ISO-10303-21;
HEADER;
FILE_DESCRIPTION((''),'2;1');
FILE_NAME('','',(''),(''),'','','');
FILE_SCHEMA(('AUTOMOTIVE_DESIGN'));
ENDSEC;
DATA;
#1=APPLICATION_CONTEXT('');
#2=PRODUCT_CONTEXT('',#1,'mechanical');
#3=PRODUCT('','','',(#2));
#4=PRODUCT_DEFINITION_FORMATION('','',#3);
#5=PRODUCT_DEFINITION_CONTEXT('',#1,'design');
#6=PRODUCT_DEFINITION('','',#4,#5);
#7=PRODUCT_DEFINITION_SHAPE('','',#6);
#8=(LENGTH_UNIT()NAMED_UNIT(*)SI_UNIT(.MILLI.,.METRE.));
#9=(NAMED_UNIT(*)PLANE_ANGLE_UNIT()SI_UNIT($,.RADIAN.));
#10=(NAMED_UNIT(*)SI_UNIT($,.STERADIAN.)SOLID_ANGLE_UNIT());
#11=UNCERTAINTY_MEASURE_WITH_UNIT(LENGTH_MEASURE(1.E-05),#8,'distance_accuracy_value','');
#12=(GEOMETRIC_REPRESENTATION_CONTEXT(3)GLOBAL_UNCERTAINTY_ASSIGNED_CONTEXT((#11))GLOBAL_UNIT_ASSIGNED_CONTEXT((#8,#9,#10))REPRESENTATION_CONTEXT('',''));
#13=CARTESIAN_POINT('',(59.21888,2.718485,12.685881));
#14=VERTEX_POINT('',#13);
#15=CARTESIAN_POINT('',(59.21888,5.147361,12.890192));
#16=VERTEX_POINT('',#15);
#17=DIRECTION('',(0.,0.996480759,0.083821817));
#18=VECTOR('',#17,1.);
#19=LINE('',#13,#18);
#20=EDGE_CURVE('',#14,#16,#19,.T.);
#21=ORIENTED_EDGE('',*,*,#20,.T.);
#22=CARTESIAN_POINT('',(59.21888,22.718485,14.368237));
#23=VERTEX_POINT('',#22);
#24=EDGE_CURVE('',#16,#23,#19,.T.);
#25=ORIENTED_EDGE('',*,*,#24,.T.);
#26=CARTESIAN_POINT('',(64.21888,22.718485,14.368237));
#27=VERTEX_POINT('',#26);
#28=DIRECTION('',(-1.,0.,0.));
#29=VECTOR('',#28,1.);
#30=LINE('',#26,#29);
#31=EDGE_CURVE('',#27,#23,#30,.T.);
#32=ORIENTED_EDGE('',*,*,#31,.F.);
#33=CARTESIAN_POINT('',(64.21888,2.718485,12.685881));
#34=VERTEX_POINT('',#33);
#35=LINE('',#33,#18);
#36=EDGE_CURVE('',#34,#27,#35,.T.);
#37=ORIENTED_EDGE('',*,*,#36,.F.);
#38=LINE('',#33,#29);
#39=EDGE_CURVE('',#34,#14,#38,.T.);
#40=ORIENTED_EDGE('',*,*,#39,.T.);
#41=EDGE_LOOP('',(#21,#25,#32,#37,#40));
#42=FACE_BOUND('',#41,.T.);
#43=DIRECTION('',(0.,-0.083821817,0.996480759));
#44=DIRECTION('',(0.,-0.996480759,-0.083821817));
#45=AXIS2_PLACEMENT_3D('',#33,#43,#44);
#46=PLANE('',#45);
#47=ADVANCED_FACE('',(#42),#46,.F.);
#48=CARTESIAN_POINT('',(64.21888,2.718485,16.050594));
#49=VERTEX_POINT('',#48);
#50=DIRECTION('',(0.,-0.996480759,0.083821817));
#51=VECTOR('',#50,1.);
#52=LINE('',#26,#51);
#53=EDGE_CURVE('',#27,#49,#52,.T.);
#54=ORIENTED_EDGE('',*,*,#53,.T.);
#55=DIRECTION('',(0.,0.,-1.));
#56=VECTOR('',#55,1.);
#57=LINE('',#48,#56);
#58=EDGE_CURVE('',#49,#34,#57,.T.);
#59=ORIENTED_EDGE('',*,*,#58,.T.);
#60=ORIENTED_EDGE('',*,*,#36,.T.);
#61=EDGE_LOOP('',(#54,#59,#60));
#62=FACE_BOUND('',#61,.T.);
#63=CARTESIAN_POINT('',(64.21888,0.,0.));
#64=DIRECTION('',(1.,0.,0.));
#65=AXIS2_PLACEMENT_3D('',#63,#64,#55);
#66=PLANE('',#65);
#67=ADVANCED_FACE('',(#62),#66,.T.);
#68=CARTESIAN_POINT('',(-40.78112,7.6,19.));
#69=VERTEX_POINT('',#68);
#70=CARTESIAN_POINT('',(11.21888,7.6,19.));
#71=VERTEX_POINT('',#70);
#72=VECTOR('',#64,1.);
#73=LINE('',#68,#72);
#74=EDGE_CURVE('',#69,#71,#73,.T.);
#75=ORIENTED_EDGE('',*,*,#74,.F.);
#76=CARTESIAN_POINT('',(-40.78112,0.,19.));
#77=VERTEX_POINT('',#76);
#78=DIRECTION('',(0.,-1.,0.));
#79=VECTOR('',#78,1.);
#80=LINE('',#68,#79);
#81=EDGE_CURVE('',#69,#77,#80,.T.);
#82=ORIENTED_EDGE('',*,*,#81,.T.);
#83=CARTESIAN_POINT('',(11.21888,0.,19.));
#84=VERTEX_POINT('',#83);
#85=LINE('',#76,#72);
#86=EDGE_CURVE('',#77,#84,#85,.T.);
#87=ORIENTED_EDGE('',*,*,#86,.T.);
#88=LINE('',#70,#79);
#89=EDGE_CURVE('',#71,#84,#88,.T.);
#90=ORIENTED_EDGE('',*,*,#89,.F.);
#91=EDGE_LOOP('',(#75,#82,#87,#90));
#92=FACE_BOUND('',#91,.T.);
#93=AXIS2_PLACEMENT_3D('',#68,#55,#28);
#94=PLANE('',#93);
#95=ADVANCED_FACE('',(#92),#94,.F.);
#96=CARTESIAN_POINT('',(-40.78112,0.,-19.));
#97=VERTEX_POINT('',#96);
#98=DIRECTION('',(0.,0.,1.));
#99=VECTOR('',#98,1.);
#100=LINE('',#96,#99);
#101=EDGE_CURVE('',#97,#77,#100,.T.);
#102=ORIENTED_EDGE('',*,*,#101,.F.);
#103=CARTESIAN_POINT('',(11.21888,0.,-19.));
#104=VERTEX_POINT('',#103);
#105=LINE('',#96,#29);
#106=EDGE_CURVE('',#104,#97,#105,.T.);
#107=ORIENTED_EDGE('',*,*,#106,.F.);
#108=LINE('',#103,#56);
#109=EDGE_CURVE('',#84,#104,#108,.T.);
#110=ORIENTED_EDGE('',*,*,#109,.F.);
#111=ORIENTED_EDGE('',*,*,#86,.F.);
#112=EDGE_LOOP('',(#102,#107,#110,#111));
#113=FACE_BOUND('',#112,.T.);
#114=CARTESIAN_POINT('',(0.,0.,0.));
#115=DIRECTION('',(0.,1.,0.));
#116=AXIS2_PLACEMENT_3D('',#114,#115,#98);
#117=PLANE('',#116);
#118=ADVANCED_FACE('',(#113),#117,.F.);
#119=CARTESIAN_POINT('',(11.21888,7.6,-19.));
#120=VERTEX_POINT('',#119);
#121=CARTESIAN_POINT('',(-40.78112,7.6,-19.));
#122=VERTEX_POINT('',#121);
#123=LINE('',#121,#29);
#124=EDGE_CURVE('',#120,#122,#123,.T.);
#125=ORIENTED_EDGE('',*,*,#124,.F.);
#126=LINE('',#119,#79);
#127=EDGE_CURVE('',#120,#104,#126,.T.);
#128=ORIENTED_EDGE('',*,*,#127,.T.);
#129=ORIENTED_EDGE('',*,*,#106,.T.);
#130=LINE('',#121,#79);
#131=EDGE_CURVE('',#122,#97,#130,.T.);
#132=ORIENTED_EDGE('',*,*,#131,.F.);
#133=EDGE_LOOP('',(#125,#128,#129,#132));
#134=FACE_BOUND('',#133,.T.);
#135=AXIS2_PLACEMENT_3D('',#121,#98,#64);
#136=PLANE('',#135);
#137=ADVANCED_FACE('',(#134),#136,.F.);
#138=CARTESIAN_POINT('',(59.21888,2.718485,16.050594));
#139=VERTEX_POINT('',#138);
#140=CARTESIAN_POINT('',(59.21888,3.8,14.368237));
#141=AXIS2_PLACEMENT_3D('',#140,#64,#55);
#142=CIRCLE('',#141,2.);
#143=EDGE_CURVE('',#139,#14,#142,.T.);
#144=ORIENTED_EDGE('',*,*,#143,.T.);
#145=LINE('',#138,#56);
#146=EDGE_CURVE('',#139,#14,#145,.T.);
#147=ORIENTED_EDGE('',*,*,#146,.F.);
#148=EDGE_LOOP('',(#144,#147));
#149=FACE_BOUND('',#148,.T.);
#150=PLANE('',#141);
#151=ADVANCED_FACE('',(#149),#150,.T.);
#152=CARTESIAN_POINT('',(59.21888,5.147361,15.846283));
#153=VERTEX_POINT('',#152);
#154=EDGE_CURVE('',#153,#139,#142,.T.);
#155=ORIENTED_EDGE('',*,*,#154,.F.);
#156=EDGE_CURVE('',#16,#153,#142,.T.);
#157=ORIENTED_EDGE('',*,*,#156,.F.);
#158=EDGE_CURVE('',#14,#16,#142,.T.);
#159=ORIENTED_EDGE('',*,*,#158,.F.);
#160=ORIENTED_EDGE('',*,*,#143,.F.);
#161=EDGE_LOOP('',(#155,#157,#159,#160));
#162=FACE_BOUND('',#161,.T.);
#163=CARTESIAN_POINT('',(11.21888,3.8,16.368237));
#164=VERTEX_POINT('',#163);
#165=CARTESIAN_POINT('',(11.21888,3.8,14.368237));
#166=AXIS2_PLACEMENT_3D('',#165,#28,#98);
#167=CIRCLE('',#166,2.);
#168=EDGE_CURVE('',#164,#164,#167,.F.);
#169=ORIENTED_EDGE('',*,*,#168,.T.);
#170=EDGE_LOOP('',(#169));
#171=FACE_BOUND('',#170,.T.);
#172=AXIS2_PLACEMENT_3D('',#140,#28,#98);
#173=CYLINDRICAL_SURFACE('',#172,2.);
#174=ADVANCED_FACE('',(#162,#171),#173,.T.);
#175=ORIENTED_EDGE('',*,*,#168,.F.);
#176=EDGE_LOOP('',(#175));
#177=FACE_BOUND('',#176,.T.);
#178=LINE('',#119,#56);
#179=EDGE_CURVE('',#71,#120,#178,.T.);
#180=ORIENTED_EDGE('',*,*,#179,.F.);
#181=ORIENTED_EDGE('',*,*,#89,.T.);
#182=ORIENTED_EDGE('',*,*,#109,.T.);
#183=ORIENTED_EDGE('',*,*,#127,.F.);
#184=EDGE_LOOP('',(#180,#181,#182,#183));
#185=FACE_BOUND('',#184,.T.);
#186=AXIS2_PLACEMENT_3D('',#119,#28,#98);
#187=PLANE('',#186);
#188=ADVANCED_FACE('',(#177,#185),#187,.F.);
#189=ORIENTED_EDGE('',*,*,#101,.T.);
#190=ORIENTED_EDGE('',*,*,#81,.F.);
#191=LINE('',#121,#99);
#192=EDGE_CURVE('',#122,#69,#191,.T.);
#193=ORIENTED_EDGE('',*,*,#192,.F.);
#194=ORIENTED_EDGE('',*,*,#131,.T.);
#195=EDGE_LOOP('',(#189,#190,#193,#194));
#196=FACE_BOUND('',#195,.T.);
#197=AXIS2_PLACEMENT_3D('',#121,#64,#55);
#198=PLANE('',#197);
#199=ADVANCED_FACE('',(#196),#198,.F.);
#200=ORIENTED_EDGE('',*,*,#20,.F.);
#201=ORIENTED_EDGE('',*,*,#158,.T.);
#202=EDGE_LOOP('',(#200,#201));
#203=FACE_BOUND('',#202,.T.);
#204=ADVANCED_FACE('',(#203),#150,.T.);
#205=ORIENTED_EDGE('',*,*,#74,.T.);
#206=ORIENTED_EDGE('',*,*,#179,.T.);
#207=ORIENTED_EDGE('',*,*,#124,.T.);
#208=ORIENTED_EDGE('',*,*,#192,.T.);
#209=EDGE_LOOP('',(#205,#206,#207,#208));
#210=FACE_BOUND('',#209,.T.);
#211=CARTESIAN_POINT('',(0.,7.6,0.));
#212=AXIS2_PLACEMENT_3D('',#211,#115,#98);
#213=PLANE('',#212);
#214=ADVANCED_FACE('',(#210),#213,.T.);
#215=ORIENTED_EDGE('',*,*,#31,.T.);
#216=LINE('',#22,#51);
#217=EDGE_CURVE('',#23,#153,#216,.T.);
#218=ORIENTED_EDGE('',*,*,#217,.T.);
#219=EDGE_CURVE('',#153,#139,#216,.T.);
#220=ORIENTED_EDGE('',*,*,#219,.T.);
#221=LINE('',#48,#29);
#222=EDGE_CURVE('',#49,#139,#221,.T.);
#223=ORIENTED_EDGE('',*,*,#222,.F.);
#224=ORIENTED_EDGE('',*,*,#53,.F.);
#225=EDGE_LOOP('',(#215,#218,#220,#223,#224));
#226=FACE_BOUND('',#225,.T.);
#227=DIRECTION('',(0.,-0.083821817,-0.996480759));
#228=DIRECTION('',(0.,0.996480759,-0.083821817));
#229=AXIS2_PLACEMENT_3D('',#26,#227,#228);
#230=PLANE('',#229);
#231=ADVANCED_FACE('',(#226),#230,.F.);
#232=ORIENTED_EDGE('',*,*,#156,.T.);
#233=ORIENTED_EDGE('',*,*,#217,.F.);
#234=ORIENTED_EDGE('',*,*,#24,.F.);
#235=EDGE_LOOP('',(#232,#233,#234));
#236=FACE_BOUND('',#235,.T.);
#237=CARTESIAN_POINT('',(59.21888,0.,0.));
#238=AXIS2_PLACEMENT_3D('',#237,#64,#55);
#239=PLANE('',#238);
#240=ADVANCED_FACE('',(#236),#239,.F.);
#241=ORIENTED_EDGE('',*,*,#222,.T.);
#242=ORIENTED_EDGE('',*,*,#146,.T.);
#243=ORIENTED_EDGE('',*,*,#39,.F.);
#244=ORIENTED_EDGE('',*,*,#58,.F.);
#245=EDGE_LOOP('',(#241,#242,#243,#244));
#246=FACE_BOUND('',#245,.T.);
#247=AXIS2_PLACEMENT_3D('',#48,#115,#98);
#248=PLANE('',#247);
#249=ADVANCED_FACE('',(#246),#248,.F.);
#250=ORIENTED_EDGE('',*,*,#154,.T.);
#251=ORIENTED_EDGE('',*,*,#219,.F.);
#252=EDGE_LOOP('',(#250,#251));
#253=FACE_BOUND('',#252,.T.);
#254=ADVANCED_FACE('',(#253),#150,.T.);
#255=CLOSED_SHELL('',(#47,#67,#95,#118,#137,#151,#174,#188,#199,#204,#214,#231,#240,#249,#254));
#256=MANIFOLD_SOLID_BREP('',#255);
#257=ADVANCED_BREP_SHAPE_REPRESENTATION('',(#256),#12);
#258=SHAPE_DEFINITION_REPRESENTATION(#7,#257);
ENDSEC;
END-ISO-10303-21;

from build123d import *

# Parameters (mm, degrees)
SKETCH1_W           = 52
SKETCH1_H           = 38
BOSS_EXTRUDE1_DEPTH = 7.6
SKETCH2_R           = 2
BOSS_EXTRUDE2_DEPTH = 48
BOSS_EXTRUDE3_DEPTH = 5


with BuildPart() as part:
    # Sketch1 → Boss-Extrude1 (new body)
    with BuildSketch(Plane(origin=(0, 0, 0), x_dir=(1, 0, 0), z_dir=(0, 1, 0))):
        with Locations((-14.781119537, 0)):
            Rectangle(SKETCH1_W, SKETCH1_H)
    extrude(amount=BOSS_EXTRUDE1_DEPTH)

    # Sketch2 → Boss-Extrude2 (add)
    with BuildSketch(Plane(origin=(11.218880463, 0, 0), x_dir=(0, 0, -1), z_dir=(1, 0, 0))):
        with Locations(Location((-14.368237461, 3.8, 0), (0, 0, 180))):
            Circle(SKETCH2_R)
    extrude(amount=BOSS_EXTRUDE2_DEPTH)

    # Sketch3 → Boss-Extrude3 (add)
    with BuildSketch(Plane(origin=(59.218880463, 0, 0), x_dir=(0, 0, -1), z_dir=(1, 0, 0))):
        Polygon((-16.050594412, 2.718484817), (-12.685880511, 2.718484817), (-14.368237461, 22.718484817), align=None)
    extrude(amount=BOSS_EXTRUDE3_DEPTH)


solid = part.part
